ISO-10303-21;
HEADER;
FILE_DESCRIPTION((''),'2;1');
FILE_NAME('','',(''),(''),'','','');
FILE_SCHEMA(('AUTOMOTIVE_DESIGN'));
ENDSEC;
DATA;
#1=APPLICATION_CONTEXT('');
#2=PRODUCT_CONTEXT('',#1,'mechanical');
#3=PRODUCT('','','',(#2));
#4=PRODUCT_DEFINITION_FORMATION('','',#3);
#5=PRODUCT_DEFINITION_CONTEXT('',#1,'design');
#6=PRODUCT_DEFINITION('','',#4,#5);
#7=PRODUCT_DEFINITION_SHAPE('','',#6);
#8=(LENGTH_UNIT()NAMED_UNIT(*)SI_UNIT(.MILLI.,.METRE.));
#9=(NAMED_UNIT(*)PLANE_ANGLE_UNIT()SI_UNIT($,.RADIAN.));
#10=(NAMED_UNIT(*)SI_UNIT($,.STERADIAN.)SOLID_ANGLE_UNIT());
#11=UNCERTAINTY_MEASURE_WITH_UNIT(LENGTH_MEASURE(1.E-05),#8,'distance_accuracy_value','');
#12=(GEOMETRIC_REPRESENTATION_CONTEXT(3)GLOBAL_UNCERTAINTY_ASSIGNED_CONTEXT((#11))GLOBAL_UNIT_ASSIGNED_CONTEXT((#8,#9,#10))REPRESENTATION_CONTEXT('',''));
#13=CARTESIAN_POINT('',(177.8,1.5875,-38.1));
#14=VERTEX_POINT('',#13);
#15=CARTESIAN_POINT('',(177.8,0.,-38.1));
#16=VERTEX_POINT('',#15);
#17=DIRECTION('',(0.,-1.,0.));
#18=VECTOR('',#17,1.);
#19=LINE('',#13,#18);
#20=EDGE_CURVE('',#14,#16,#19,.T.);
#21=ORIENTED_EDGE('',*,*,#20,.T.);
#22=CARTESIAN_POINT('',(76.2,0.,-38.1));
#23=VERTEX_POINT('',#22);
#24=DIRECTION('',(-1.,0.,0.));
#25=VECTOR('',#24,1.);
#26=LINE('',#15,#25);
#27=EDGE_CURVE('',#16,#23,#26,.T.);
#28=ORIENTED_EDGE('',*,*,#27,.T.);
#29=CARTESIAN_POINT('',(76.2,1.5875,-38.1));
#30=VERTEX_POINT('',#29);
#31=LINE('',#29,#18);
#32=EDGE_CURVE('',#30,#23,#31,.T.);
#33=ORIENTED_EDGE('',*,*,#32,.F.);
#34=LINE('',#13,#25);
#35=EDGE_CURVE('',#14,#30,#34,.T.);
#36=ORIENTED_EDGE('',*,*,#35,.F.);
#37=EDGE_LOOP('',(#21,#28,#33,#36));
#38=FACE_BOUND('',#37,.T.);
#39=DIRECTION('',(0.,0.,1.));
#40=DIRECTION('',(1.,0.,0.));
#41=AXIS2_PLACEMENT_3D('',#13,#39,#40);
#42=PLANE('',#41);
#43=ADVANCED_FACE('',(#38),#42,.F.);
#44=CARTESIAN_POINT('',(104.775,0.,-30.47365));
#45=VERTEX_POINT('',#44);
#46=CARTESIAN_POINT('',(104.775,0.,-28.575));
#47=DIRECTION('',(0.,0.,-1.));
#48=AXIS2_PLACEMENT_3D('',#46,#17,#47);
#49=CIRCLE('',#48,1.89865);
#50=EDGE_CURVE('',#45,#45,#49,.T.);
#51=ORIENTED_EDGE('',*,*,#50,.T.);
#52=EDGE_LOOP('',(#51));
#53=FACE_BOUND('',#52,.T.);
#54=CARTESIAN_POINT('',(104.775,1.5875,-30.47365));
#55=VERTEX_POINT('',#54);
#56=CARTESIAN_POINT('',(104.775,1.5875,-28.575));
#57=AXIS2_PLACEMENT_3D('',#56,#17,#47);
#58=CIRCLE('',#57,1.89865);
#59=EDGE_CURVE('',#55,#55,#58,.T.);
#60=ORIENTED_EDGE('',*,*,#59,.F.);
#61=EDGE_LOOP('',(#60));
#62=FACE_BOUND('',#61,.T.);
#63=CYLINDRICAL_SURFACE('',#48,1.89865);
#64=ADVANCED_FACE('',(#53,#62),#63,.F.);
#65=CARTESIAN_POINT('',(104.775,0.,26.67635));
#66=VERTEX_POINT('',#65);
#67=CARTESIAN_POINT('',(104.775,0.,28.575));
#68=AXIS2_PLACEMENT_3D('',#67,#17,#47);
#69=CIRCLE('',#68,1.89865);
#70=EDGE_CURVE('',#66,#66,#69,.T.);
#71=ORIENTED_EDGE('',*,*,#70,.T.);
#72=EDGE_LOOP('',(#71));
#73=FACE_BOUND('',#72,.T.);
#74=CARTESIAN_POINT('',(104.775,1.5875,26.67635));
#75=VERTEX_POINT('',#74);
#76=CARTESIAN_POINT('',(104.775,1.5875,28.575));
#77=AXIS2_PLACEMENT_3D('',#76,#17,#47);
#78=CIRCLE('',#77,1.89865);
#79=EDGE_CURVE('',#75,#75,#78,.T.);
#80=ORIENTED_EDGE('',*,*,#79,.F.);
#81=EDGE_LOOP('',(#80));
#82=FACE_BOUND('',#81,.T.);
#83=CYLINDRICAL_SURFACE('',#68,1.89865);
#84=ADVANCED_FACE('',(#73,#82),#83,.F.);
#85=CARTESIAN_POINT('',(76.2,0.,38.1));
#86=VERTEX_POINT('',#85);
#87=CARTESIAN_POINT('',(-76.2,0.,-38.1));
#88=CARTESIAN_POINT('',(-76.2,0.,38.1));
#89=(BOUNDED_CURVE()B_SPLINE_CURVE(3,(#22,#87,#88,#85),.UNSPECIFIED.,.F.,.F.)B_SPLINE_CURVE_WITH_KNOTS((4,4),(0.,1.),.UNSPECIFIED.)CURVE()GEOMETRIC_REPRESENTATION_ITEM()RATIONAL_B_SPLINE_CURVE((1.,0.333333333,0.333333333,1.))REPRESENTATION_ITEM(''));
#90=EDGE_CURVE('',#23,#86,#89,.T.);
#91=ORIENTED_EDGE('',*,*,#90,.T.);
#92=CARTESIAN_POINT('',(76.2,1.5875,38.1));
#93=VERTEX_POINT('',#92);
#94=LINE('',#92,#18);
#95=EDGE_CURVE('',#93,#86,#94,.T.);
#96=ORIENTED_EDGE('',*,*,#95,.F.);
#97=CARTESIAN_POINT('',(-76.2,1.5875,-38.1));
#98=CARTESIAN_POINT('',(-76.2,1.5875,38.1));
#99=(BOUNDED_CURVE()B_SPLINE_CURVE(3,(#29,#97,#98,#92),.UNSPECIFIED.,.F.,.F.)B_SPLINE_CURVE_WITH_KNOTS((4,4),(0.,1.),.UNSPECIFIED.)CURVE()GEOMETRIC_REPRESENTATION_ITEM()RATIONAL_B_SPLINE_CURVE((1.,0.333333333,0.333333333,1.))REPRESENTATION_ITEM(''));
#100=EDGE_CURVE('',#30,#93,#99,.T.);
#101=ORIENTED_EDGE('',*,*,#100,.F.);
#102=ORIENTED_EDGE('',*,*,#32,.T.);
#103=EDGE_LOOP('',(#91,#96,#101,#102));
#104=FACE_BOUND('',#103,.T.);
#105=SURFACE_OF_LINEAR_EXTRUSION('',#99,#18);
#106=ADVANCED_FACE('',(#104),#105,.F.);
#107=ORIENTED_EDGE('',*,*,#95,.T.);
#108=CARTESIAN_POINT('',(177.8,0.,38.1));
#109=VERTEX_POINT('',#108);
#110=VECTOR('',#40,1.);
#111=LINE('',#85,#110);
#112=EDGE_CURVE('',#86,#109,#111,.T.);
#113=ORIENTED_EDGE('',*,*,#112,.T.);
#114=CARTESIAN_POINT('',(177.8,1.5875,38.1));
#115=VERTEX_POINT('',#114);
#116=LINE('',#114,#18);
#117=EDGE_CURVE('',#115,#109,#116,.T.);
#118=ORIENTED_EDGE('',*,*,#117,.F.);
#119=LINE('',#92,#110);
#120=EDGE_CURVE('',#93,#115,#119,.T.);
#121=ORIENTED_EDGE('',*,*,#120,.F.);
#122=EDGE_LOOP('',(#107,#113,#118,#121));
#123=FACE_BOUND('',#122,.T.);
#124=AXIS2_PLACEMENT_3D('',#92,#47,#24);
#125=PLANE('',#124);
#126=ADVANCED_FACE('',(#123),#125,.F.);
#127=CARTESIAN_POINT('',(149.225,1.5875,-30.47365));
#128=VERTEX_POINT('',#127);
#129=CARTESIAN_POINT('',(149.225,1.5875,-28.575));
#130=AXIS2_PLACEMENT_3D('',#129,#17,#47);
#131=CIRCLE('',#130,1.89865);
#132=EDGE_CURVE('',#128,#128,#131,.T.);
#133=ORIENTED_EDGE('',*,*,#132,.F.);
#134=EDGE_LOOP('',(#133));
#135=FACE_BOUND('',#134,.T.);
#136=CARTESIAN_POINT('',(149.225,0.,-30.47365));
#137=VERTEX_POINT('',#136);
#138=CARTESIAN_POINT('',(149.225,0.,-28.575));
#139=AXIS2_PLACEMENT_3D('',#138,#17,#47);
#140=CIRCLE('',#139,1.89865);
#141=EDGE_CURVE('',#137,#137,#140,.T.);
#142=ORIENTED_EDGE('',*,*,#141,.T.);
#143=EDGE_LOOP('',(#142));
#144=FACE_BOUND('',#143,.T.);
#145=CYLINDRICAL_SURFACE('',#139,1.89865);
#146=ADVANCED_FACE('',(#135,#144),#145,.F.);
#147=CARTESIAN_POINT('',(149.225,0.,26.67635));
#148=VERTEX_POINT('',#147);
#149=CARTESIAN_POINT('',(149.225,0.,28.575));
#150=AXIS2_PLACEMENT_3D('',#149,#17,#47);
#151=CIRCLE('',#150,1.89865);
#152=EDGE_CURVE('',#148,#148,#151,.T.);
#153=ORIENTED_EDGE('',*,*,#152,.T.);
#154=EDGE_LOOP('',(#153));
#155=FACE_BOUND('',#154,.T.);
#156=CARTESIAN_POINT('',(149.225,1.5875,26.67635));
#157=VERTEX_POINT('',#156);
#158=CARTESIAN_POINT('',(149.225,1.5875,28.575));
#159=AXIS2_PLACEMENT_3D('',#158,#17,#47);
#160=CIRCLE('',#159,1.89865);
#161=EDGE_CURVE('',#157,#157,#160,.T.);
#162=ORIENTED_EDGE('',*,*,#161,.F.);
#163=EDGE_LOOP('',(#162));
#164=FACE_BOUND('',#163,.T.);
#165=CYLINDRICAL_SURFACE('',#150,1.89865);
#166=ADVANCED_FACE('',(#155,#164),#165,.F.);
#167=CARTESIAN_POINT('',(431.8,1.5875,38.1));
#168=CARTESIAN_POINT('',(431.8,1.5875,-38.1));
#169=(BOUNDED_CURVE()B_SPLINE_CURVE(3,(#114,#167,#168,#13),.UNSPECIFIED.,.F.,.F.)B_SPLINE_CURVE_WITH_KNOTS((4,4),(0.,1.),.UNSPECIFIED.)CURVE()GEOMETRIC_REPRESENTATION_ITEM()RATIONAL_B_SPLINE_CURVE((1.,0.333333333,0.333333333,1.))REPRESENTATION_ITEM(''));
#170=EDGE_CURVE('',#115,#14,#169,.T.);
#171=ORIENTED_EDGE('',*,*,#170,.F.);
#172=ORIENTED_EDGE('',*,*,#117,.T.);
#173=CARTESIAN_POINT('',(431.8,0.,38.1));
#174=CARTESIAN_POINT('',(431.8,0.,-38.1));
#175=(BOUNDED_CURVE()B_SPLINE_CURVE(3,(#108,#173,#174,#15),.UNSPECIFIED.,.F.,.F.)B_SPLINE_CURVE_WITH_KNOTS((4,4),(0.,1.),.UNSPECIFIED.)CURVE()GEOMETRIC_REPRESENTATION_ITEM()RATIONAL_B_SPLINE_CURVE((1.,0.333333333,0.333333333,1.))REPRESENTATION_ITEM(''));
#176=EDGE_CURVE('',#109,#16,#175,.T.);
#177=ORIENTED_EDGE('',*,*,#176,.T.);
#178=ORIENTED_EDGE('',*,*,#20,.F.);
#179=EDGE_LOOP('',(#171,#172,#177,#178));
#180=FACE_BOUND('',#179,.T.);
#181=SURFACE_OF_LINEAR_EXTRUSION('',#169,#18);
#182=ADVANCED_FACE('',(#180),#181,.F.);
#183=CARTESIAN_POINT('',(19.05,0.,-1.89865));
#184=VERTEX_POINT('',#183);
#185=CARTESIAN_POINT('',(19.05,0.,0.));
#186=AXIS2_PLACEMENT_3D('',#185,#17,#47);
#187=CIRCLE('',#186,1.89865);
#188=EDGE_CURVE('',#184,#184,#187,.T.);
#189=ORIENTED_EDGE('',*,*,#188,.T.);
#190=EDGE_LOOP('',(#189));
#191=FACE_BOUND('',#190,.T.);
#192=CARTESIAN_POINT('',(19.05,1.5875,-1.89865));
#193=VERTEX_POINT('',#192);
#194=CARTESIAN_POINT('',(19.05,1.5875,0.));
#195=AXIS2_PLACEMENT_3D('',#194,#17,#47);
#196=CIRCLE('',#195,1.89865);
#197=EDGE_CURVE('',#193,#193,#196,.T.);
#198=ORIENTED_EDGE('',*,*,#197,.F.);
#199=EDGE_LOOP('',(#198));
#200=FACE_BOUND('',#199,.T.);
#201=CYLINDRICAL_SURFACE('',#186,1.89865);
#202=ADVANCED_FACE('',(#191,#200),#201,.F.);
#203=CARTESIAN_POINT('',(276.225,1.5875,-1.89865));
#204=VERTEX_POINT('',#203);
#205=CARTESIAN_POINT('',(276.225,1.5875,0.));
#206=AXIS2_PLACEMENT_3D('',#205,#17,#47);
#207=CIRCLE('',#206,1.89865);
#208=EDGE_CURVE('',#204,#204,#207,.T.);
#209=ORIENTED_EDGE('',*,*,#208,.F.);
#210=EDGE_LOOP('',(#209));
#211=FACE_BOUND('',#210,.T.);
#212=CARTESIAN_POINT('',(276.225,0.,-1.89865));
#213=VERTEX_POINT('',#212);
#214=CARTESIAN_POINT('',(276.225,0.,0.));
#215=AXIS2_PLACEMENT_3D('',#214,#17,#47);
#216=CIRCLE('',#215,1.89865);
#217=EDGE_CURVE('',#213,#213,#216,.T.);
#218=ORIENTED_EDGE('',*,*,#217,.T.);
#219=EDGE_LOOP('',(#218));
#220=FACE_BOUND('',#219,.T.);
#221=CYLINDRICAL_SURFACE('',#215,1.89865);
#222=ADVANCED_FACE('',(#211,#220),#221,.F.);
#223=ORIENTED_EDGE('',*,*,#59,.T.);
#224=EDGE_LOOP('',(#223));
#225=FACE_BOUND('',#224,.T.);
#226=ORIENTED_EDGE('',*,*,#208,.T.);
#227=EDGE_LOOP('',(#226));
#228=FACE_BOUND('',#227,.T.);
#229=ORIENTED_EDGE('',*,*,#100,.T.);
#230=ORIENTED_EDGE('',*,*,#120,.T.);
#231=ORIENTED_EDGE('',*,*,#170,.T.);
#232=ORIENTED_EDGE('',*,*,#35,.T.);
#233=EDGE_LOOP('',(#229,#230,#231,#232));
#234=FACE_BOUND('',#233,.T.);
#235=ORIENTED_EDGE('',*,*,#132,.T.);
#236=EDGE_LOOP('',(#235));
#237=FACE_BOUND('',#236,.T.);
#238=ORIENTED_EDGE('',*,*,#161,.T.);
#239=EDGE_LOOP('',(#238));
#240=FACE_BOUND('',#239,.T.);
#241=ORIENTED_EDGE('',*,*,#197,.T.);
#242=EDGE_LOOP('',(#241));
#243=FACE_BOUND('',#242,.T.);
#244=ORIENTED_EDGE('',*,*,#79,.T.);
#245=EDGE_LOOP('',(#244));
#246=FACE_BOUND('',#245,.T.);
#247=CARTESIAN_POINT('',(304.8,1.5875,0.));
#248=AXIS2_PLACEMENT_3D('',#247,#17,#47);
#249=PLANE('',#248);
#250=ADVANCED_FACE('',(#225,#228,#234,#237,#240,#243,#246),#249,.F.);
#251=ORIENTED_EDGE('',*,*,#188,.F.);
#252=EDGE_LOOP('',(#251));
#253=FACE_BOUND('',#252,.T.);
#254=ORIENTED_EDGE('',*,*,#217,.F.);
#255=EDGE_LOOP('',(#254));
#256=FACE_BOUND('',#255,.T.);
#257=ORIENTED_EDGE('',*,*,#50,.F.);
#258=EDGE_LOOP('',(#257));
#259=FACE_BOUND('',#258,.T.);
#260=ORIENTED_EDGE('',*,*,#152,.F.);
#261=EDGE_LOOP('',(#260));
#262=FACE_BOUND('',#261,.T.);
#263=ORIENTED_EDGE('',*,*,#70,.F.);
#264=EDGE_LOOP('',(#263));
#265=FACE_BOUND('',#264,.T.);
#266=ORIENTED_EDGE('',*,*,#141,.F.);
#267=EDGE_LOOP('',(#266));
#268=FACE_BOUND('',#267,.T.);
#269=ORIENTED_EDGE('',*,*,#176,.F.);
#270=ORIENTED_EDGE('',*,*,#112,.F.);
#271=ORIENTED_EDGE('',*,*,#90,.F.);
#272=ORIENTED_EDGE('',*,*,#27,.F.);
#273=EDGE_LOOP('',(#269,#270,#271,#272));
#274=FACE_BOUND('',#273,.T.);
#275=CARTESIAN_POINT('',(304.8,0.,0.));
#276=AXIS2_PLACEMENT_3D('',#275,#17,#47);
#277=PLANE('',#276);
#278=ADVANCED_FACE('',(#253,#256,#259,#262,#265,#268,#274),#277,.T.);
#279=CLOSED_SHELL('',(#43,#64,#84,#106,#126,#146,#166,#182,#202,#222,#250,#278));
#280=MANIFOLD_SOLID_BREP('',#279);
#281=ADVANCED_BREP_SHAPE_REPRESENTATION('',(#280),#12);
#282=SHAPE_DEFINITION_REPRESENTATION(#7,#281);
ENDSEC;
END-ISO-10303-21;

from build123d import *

# Parameters (mm, degrees)
BOSS_EXTRUDE1_DEPTH       = 1.5875
F_6_CLEARANCE_HOLE1_D     = 3.7973
F_6_CLEARANCE_HOLE2_D     = 3.7973
F_6_CLEARANCE_HOLE2_DEPTH = 25.4
F_6_CLEARANCE_HOLE2_TIP   = 1.140824014
F_6_CLEARANCE_HOLE3_D     = 3.7973
F_6_CLEARANCE_HOLE3_DEPTH = 25.4
F_6_CLEARANCE_HOLE3_TIP   = 1.140824014


with BuildPart() as part:
    # Sketch11 → Boss-Extrude1 (new body)
    with BuildSketch(Plane(origin=(0, 0, 0), x_dir=(1, 0, 0), z_dir=(0, 1, 0))):
        with BuildLine():
            Line((177.8, 38.1), (76.2, 38.1))
            add(Edge.make_bspline(
                [(76.2, 38.1), (-76.2, 38.1), (-76.2, -38.1), (76.2, -38.1)],
                knots=[0, 0, 0, 0, 1, 1, 1, 1], degree=3, weights=[1, 0.333333333, 0.333333333, 1]))
            Line((76.2, -38.1), (177.8, -38.1))
            add(Edge.make_bspline(
                [(177.8, -38.1), (431.8, -38.1), (431.8, 38.1), (177.8, 38.1)],
                knots=[0, 0, 0, 0, 1, 1, 1, 1], degree=3, weights=[1, 0.333333333, 0.333333333, 1]))
        make_face()
    extrude(amount=BOSS_EXTRUDE1_DEPTH)

    # #6 Clearance Hole1 (through all)
    with Locations(Plane(origin=(0, 0, 0), x_dir=(-1, 0, 0), z_dir=(0, -1, 0))):
        with Locations((-104.775, -28.575), (-149.225, -28.575), (-149.225, 28.575), (-104.775, 28.575)):
            Hole(F_6_CLEARANCE_HOLE1_D / 2)

    # #6 Clearance Hole2
    with Locations(Plane(origin=(0, 0, 0), x_dir=(-1, 0, 0), z_dir=(0, -1, 0))):
        with Locations((-19.05, 0)):
            Hole(F_6_CLEARANCE_HOLE2_D / 2, depth=F_6_CLEARANCE_HOLE2_DEPTH)
            with Locations((0, 0, -(F_6_CLEARANCE_HOLE2_DEPTH + F_6_CLEARANCE_HOLE2_TIP / 2))):  # 118° drill point
                Cone(0, F_6_CLEARANCE_HOLE2_D / 2, F_6_CLEARANCE_HOLE2_TIP, mode=Mode.SUBTRACT)

    # #6 Clearance Hole3
    with Locations(Plane(origin=(0, 0, 0), x_dir=(-1, 0, 0), z_dir=(0, -1, 0))):
        with Locations((-276.225, 0)):
            Hole(F_6_CLEARANCE_HOLE3_D / 2, depth=F_6_CLEARANCE_HOLE3_DEPTH)
            with Locations((0, 0, -(F_6_CLEARANCE_HOLE3_DEPTH + F_6_CLEARANCE_HOLE3_TIP / 2))):  # 118° drill point
                Cone(0, F_6_CLEARANCE_HOLE3_D / 2, F_6_CLEARANCE_HOLE3_TIP, mode=Mode.SUBTRACT)


solid = part.part
